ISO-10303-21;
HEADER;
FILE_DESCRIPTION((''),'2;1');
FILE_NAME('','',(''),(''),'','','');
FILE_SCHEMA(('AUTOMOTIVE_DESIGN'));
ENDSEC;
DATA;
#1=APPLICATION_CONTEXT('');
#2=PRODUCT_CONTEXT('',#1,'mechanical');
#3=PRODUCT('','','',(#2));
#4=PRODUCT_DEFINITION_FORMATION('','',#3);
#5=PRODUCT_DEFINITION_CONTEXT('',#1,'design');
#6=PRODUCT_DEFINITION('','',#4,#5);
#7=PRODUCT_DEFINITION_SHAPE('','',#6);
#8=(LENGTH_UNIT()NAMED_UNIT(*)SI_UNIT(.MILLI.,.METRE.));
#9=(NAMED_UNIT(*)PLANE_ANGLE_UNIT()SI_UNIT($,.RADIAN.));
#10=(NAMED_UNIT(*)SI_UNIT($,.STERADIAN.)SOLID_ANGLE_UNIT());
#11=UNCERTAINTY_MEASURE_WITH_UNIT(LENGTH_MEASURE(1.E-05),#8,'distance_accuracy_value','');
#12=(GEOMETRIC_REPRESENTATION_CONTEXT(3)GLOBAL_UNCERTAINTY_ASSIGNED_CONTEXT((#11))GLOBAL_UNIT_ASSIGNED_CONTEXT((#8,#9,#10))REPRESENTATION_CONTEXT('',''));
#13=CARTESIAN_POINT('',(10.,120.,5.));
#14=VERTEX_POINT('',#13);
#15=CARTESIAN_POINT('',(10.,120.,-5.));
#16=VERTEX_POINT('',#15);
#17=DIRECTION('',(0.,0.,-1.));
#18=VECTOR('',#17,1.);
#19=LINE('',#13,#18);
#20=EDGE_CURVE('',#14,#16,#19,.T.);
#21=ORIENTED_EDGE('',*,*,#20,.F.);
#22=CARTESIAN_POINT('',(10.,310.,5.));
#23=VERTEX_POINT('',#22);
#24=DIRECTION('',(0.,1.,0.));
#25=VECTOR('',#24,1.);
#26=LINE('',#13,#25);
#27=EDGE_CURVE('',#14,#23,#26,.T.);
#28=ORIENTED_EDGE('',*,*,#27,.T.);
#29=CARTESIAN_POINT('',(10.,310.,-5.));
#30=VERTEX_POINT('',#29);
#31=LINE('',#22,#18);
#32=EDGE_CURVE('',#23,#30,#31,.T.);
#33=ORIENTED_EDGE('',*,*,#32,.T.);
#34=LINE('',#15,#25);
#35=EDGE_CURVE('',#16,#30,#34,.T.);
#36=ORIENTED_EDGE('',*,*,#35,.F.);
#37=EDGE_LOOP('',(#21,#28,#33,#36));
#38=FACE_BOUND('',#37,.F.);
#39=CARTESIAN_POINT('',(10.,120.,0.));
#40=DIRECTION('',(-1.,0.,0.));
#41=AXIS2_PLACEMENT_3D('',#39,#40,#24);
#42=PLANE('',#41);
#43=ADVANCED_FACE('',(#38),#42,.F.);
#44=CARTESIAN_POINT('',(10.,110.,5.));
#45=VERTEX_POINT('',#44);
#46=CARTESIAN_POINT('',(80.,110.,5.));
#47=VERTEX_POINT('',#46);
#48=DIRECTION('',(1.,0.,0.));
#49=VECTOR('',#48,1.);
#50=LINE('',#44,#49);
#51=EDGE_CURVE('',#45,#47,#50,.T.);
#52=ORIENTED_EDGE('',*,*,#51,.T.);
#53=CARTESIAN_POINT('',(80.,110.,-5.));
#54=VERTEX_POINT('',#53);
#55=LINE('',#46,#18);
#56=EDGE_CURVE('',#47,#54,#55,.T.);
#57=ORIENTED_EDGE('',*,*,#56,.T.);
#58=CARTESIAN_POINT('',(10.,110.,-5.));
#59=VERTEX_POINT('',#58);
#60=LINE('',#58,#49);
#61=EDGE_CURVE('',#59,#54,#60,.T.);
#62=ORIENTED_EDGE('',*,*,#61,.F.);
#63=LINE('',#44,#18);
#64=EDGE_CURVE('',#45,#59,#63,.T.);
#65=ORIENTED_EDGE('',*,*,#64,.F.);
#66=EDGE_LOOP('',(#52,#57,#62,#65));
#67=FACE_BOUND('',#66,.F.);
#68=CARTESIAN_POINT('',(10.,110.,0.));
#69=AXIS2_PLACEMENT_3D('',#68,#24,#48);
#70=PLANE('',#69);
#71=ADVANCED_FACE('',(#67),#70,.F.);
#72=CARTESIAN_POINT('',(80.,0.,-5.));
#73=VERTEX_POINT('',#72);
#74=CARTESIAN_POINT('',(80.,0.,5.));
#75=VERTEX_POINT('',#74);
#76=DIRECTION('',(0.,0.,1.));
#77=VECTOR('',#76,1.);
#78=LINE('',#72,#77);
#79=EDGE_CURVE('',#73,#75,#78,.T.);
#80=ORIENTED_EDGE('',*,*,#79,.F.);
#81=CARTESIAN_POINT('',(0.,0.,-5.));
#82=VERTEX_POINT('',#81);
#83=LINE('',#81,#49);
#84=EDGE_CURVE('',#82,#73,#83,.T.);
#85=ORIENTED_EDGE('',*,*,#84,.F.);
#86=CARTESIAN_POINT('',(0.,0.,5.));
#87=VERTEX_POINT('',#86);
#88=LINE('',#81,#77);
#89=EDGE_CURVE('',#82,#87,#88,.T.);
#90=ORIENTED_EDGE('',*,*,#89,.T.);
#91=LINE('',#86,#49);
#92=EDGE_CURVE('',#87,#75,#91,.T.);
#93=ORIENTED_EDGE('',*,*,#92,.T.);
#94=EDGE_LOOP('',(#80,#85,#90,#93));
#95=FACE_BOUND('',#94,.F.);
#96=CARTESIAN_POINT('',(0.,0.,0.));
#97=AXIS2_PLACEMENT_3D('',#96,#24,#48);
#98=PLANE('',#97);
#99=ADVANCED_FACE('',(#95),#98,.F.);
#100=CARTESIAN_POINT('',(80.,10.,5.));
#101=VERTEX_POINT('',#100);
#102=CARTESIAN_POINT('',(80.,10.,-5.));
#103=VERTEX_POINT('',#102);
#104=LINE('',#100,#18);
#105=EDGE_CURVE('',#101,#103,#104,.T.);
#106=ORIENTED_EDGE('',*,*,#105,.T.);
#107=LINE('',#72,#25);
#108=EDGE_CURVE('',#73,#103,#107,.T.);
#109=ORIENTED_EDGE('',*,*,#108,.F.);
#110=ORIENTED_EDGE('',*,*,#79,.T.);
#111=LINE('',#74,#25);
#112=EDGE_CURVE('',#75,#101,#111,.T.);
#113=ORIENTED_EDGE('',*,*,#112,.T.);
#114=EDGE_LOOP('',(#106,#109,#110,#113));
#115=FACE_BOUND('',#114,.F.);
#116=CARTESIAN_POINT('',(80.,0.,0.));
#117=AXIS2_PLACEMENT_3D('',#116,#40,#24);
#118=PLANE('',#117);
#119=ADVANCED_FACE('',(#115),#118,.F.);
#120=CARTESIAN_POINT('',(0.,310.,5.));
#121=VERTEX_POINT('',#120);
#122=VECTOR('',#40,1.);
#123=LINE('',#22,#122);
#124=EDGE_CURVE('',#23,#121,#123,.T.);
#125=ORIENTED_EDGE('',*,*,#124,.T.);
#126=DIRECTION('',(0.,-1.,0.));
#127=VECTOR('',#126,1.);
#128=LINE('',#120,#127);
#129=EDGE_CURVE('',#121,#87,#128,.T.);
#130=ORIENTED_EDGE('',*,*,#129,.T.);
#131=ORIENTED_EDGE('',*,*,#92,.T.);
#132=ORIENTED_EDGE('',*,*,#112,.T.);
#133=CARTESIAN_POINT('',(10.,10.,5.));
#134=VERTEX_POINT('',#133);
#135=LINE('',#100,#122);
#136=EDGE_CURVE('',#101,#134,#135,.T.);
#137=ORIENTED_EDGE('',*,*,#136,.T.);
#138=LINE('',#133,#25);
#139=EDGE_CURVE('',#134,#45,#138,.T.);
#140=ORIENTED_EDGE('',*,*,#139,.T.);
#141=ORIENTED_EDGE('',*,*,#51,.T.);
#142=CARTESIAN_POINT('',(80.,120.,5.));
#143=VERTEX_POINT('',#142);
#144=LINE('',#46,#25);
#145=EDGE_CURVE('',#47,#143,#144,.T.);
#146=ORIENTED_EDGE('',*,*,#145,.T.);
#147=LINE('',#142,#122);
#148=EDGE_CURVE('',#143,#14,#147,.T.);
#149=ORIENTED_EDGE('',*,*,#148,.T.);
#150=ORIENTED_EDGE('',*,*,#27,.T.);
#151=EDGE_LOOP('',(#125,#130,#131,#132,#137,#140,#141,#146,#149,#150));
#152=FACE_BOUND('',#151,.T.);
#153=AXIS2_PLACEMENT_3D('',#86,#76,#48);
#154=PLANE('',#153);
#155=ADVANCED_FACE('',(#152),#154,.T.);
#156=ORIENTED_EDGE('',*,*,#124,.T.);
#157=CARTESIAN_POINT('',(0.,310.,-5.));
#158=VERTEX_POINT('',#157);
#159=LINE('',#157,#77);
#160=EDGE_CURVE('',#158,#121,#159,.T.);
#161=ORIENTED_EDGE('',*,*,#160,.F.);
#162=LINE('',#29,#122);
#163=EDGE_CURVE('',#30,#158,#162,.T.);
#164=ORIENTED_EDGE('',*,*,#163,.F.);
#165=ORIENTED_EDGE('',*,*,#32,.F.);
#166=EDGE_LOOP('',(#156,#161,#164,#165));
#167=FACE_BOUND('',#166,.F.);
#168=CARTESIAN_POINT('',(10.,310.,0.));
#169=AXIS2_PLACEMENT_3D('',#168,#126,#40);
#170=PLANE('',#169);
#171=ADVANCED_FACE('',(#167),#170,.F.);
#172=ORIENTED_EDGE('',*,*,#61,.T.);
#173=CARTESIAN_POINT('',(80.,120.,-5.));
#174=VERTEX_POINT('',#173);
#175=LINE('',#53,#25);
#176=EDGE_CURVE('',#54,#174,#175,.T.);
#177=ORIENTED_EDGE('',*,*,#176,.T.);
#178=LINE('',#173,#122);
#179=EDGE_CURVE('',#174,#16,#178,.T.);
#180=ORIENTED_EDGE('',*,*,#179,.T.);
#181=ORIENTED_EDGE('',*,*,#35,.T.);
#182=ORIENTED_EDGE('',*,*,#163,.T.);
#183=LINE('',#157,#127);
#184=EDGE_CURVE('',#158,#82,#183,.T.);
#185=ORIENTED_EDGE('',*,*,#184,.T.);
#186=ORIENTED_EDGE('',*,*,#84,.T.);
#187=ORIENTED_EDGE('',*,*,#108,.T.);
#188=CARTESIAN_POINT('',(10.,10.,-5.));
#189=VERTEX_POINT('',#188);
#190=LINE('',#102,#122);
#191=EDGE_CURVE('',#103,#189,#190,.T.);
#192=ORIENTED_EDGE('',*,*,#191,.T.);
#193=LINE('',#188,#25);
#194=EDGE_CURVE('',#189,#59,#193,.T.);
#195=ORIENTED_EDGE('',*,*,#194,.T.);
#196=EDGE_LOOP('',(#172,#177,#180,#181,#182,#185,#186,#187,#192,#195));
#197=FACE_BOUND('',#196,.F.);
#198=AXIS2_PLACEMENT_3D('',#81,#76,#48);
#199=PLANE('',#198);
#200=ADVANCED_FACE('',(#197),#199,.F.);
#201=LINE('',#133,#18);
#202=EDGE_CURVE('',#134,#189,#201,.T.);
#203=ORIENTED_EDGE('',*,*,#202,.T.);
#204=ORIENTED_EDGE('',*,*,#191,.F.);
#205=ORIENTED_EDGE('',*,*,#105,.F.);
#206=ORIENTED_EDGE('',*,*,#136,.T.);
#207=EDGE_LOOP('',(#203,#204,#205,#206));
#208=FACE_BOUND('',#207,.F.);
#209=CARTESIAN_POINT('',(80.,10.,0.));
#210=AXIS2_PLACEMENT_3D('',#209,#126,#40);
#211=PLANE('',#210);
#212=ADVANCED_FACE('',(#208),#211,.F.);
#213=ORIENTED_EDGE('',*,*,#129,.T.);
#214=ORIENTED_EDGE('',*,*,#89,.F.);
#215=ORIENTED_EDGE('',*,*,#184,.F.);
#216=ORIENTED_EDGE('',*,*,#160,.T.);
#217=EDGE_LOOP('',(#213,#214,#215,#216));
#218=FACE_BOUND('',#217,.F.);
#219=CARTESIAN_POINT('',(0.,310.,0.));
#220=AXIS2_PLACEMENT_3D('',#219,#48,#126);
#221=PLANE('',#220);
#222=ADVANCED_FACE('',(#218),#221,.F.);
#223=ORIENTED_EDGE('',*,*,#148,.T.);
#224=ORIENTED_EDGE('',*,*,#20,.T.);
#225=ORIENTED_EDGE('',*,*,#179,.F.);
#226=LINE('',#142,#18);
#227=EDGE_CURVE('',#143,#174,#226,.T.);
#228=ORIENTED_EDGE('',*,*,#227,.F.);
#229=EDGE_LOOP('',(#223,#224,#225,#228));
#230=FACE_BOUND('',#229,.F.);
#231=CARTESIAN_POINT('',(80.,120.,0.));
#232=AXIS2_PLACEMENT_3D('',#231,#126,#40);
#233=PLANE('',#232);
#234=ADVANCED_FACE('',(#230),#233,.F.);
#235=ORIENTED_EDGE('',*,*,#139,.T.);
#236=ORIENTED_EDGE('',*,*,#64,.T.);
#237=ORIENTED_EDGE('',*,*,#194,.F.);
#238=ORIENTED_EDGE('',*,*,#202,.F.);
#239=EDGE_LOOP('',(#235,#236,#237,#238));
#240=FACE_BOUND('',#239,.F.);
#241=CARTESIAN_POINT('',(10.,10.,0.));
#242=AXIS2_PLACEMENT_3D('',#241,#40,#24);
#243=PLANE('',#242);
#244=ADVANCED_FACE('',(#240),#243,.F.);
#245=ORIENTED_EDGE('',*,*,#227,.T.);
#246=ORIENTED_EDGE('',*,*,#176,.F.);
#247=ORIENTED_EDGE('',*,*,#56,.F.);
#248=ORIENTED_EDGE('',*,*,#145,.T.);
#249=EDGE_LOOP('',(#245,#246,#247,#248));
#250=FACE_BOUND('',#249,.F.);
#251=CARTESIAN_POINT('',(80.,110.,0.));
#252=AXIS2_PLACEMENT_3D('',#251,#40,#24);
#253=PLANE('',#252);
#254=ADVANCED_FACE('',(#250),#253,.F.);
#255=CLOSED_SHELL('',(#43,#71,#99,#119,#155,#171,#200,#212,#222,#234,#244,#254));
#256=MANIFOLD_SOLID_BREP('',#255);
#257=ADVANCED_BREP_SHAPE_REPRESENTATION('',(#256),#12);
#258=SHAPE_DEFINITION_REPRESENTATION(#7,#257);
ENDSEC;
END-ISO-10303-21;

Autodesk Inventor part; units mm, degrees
ref_plane "YZ Plane" through (0, 0, 0) normal (1, 0, 0) x (0, 1, 0)
ref_plane "XZ Plane" through (0, 0, 0) normal (0, 1, 0) x (-1, 0, 0)
ref_plane "XY Plane" through (0, 0, 0) normal (0, 0, 1) x (1, 0, 0)
sketch "Sketch2" plane through (0, 0, 0) normal (0, 0, 1) x (1, 0, 0)
  line L0 (0, 310) -> (0, 0)
  line L1 (0, 0) -> (10, 0)
  line L2 (10, 0) -> (10, 0)
  line L3 (10, 0) -> (80, 0)
  line L4 (80, 0) -> (80, 10)
  line L5 (80, 10) -> (10, 10)
  line L6 (10, 10) -> (10, 110)
  line L7 (10, 110) -> (80, 110)
  line L8 (80, 110) -> (80, 120)
  line L9 (80, 120) -> (10, 120)
  line L10 (10, 120) -> (10, 310)
  line L11 (10, 310) -> (0, 310)
  dimension "d12" = 100
  dimension "d13" = 10
  dimension "d14" = 10
  dimension "d15" = 10
  dimension "d16" = 10
  dimension "d17" = 190
  dimension "d18" = 310
  dimension "d19" = 80
extrude "Extrusion2" add sketch "Sketch2" along normal mid plane 10
properties part number "support" material "Steel"
